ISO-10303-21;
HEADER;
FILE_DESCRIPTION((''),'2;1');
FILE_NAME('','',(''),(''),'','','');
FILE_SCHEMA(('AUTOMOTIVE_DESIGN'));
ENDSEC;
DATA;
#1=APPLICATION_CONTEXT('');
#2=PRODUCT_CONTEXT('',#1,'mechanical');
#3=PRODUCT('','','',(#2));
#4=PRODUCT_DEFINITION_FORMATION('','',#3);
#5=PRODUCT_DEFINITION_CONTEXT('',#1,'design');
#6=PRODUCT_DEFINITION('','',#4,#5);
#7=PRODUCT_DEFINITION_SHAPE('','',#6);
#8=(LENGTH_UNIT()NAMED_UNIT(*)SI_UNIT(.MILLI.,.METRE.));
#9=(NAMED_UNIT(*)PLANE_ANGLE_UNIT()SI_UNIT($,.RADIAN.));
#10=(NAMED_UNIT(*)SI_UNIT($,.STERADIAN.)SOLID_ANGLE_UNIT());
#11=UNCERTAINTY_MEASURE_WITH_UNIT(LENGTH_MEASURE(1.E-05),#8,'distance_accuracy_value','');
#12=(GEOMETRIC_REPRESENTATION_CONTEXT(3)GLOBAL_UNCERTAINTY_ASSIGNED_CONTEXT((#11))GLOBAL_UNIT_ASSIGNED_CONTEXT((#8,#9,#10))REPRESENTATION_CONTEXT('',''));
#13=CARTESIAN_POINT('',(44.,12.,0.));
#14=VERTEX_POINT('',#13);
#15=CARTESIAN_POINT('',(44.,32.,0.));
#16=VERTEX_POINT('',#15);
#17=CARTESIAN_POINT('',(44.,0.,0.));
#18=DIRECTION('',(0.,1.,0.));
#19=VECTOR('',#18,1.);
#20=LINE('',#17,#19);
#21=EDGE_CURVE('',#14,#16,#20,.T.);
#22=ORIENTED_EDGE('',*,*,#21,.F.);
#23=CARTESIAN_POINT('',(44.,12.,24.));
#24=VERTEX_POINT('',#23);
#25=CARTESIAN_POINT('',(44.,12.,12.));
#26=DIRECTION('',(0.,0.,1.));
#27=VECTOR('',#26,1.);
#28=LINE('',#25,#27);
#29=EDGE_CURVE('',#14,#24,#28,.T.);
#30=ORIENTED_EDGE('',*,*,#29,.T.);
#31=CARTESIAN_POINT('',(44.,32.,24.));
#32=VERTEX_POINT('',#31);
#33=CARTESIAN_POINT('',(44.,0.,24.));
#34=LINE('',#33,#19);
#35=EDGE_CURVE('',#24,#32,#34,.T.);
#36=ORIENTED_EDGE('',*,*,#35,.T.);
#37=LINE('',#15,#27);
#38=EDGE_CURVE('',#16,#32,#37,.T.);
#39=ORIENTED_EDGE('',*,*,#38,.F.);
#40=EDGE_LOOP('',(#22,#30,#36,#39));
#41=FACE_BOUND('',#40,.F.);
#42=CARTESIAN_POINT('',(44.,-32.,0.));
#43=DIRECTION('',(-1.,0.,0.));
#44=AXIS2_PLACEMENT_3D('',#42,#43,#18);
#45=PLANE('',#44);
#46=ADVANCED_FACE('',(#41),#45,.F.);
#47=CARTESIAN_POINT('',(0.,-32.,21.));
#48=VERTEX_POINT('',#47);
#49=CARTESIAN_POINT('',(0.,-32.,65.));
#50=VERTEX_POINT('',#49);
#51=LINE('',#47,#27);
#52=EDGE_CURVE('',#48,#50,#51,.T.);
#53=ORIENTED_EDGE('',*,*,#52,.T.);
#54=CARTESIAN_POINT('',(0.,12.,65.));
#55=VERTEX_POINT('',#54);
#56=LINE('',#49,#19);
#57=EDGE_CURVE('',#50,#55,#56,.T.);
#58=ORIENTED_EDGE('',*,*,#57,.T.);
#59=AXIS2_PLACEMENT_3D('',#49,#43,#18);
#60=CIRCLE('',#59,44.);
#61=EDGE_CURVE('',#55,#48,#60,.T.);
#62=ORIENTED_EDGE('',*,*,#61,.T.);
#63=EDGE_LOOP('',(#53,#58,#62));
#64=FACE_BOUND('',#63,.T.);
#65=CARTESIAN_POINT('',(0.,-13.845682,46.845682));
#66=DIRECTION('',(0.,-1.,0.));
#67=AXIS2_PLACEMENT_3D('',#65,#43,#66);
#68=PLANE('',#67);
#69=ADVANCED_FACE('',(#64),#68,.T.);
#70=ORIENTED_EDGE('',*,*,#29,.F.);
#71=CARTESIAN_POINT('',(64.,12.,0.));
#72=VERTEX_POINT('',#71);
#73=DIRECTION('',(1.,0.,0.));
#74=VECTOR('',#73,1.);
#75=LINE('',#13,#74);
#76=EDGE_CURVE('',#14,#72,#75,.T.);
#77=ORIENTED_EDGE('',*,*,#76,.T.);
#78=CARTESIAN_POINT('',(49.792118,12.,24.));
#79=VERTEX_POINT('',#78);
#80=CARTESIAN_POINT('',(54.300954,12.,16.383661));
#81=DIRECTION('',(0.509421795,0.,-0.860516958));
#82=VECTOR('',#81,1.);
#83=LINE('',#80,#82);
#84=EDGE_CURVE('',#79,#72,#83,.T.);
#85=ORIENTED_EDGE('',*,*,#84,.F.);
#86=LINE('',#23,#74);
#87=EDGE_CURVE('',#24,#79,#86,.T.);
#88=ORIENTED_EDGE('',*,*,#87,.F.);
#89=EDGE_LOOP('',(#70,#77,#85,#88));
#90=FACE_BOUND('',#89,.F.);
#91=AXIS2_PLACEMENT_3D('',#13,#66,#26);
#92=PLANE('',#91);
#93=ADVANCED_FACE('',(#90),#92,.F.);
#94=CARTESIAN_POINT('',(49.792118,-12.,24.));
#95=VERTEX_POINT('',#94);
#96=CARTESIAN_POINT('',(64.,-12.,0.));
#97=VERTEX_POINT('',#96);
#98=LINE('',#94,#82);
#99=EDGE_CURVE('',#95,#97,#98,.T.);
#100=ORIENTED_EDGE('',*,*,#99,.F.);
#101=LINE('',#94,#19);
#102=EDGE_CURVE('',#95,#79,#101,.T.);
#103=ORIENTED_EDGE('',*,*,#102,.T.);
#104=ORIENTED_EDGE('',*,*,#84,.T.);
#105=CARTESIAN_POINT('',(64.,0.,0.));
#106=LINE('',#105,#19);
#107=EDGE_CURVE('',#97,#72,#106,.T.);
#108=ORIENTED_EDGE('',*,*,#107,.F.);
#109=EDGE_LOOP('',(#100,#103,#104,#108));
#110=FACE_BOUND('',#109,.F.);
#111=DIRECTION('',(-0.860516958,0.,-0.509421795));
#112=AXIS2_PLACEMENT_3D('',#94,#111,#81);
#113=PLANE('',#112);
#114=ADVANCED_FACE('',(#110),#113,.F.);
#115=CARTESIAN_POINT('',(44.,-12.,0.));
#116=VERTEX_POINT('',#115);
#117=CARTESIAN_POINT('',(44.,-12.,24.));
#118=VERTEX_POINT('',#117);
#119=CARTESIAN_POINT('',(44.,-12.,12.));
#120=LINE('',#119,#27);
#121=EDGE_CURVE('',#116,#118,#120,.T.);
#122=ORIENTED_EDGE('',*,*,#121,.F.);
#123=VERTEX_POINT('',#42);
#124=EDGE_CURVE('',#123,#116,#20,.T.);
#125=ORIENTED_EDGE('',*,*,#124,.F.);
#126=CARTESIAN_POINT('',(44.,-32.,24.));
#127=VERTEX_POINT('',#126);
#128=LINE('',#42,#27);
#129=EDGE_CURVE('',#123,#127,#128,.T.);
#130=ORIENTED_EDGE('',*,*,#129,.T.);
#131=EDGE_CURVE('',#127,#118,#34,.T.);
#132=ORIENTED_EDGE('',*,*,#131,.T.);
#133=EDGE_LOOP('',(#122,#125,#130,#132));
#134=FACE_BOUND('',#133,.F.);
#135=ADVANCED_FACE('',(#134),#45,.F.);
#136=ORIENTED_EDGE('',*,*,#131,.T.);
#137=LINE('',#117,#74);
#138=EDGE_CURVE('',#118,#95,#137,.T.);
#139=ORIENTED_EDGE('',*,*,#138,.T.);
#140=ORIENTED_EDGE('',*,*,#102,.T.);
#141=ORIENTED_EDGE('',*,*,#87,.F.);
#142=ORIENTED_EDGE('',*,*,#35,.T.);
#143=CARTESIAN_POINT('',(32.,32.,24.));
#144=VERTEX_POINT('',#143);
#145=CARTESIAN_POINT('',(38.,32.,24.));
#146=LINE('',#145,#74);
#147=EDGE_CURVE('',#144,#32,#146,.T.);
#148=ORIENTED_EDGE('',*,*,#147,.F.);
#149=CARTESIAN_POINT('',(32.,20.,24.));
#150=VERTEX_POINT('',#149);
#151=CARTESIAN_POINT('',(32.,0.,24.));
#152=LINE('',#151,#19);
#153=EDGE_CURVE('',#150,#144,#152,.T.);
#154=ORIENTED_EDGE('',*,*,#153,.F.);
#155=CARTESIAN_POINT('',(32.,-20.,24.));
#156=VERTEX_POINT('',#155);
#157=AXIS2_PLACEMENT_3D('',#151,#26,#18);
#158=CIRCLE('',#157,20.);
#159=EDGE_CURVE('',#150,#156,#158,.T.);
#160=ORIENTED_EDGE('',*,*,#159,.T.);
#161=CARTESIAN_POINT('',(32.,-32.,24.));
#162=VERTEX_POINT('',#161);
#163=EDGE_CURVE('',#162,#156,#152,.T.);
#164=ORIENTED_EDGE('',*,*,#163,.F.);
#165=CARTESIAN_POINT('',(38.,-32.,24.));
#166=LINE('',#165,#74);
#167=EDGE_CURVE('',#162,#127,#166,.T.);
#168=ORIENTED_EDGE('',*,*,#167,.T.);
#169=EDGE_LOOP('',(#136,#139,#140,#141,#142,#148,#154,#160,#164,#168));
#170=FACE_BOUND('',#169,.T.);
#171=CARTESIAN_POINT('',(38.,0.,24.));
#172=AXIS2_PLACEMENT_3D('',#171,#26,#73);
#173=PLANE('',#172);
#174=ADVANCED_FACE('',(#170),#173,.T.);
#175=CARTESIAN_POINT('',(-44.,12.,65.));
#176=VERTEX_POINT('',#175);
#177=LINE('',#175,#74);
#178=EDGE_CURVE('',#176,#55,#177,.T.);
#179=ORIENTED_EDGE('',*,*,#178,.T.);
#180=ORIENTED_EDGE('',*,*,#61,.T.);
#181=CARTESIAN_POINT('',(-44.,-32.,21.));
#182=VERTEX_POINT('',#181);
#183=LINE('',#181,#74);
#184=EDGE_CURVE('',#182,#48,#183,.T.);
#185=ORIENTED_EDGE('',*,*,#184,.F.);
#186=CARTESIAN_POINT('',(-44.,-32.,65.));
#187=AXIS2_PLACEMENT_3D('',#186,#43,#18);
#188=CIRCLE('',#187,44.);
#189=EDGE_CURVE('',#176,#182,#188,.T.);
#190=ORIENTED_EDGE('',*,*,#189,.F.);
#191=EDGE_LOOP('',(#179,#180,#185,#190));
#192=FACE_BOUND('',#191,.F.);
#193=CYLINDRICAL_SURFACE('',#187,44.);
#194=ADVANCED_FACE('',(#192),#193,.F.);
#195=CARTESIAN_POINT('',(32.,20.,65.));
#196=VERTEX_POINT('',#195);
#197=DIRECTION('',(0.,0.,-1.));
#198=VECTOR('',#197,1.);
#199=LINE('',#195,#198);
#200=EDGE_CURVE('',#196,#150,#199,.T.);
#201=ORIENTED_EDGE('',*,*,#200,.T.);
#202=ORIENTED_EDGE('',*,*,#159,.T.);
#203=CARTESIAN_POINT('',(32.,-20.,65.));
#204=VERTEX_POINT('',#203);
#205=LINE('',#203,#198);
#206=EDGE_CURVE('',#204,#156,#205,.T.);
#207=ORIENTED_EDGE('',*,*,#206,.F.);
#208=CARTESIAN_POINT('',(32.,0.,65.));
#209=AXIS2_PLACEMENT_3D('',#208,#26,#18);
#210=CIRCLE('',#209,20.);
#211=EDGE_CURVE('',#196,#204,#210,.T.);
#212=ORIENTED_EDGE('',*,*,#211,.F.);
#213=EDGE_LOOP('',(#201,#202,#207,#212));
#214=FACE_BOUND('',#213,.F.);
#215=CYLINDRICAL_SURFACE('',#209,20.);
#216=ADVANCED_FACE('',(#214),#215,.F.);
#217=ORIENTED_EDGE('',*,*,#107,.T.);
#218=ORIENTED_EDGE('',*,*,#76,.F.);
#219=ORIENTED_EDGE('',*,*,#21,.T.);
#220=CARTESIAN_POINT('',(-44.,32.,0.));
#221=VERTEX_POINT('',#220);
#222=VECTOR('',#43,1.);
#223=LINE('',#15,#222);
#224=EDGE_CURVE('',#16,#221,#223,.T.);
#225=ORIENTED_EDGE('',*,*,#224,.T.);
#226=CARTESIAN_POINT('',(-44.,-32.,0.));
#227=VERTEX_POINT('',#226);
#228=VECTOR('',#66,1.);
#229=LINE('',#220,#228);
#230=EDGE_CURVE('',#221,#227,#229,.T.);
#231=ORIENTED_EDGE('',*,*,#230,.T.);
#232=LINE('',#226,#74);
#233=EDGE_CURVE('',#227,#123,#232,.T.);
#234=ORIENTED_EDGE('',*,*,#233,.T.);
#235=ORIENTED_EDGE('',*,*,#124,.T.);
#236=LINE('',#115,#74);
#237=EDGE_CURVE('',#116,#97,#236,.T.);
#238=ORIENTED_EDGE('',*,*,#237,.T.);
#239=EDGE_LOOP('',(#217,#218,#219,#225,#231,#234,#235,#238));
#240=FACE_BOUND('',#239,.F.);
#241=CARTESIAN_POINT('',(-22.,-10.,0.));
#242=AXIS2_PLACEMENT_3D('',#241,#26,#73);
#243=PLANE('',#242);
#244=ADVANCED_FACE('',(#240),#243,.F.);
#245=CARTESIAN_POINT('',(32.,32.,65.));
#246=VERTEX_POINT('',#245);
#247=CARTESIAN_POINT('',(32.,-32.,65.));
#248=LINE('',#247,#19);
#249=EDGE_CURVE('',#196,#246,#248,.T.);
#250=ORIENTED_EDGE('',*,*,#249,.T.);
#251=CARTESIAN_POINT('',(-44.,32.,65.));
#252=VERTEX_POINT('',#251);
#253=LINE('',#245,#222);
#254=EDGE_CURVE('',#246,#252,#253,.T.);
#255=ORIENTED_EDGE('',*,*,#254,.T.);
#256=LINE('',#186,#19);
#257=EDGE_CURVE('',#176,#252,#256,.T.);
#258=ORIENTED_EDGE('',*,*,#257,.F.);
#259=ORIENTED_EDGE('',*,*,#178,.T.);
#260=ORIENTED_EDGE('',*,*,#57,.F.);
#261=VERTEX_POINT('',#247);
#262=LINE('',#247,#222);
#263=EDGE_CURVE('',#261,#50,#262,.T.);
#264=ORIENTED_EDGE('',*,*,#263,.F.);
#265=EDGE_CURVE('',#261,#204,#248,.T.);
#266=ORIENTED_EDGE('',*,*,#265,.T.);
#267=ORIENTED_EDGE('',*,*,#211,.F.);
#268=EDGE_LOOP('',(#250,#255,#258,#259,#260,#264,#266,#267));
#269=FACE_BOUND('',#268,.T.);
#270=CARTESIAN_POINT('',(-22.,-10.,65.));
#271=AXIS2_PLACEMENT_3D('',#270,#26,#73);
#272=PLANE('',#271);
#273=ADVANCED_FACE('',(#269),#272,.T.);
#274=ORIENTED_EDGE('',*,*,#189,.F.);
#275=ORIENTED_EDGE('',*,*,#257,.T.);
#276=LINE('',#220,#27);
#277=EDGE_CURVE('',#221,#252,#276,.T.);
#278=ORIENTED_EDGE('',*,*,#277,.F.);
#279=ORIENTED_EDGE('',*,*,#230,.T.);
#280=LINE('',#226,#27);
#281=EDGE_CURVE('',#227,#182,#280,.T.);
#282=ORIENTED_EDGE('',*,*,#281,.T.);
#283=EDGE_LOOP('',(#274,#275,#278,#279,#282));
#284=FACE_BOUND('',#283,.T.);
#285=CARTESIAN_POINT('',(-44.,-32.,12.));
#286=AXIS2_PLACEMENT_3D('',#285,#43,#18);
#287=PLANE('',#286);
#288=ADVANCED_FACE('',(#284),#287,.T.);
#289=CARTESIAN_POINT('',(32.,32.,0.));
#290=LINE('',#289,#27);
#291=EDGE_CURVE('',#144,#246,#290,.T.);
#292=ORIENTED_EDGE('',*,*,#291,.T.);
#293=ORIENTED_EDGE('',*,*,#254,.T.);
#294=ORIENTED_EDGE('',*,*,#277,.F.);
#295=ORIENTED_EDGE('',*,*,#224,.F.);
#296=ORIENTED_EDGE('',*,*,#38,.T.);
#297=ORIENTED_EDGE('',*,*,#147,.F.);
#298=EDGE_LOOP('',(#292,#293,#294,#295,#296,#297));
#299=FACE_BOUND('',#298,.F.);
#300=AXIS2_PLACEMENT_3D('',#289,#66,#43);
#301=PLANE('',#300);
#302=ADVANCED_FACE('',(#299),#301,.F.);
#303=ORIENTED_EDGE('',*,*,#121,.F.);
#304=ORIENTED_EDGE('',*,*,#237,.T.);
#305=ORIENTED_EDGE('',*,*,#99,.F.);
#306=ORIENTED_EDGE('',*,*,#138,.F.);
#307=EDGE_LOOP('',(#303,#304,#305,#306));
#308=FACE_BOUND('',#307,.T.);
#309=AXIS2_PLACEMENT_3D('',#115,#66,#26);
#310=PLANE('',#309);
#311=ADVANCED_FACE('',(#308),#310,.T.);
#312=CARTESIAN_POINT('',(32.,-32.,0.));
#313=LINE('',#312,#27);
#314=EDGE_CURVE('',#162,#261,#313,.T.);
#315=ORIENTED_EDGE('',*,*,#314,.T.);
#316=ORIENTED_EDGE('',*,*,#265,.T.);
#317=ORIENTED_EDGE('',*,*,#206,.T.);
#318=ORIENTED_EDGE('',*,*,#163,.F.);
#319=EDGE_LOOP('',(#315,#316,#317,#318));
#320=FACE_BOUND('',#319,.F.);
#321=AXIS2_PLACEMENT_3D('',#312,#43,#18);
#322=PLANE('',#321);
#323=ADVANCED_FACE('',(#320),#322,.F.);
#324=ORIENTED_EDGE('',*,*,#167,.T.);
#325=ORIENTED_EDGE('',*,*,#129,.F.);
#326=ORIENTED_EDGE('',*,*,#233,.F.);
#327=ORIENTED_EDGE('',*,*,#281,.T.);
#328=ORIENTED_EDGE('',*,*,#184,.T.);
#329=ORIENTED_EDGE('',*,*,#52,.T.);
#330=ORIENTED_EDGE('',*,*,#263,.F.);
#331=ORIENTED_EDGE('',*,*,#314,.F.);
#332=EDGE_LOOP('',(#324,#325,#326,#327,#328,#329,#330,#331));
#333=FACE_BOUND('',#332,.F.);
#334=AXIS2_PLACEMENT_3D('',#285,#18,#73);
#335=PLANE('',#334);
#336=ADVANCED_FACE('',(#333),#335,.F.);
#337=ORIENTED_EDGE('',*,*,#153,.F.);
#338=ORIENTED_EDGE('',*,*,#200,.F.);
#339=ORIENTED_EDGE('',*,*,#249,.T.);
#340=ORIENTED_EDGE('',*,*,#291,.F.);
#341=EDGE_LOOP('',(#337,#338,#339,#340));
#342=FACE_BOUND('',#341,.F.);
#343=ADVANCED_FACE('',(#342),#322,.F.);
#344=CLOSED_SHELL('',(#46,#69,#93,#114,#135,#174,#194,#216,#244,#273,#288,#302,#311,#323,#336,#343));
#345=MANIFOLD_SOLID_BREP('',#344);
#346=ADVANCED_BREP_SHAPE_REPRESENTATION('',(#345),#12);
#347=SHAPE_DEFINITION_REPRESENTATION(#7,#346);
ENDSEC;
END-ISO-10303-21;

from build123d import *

# Parameters (mm, degrees)
F0_W      = 12
F0_H      = 64
F1_DEPTH  = 24
F2_DEPTH  = 65
F3_W      = 24
F3_H      = 24
F4_DEPTH  = 20
F6_DEPTH  = 37.6
F8_DEPTH  = 41
F9_W      = 44
F9_H      = 44
F10_DEPTH = 12
F11_W     = 44
F11_H     = 44
F12_DEPTH = 53
F14_DEPTH = 44


with BuildPart() as f1:
    # F0 (on Top) → F1 (new body)
    with BuildSketch(Plane.XY):
        with Locations((38, 0)):
            Rectangle(F0_W, F0_H)
    extrude(amount=F1_DEPTH)

    # F0 (on Top) → F2 (join)
    with BuildSketch(Plane.XY):
        Polygon((32, -32), (32, 32), (-44, 32), (-44, 12), (0, 12), (0, -32), align=None)
    extrude(amount=F2_DEPTH)

    # F3 (on face) → F4 (join)
    with BuildSketch(Plane.YZ.offset(44)):
        with Locations((0, 12)):
            Rectangle(F3_W, F3_H)
    extrude(amount=F4_DEPTH)

    # F5 (on face) → F6 (cut)
    with BuildSketch(Plane.XZ.offset(12)):
        Polygon((64, 24), (49.7921183705, 24), (64, 0), align=None)
    extrude(amount=-F6_DEPTH, mode=Mode.SUBTRACT)

    # F7 (on face) → F8 (cut)
    with BuildSketch(Plane.XY.offset(65)):
        with BuildLine():
            ThreePointArc((32, 20), (12, 0), (32, -20))
            Line((32, -20), (32, 20))
        make_face()
    extrude(amount=-F8_DEPTH, mode=Mode.SUBTRACT)

    # F9 (on face) → F10 (join)
    with BuildSketch(Plane.XY):
        with Locations((-22, -10)):
            Rectangle(F9_W, F9_H)
    extrude(amount=F10_DEPTH)

    # F11 (on face) → F12 (join)
    with BuildSketch(Plane.XY.offset(12)):
        with Locations((-22, -10)):
            Rectangle(F11_W, F11_H)
    extrude(amount=F12_DEPTH)

    # F13 (on face) → F14 (cut)
    with BuildSketch(Plane(origin=(-44, 0, 0), x_dir=(0, -1, 0), z_dir=(-1, 0, 0))):
        with BuildLine():
            Line((32, 65), (-12, 65))
            ThreePointArc((-12, 65), (0.8873016278, 33.8873016278), (32, 21))
            Line((32, 21), (32, 65))
        make_face()
    extrude(amount=-F14_DEPTH, mode=Mode.SUBTRACT)


solid = f1.part
